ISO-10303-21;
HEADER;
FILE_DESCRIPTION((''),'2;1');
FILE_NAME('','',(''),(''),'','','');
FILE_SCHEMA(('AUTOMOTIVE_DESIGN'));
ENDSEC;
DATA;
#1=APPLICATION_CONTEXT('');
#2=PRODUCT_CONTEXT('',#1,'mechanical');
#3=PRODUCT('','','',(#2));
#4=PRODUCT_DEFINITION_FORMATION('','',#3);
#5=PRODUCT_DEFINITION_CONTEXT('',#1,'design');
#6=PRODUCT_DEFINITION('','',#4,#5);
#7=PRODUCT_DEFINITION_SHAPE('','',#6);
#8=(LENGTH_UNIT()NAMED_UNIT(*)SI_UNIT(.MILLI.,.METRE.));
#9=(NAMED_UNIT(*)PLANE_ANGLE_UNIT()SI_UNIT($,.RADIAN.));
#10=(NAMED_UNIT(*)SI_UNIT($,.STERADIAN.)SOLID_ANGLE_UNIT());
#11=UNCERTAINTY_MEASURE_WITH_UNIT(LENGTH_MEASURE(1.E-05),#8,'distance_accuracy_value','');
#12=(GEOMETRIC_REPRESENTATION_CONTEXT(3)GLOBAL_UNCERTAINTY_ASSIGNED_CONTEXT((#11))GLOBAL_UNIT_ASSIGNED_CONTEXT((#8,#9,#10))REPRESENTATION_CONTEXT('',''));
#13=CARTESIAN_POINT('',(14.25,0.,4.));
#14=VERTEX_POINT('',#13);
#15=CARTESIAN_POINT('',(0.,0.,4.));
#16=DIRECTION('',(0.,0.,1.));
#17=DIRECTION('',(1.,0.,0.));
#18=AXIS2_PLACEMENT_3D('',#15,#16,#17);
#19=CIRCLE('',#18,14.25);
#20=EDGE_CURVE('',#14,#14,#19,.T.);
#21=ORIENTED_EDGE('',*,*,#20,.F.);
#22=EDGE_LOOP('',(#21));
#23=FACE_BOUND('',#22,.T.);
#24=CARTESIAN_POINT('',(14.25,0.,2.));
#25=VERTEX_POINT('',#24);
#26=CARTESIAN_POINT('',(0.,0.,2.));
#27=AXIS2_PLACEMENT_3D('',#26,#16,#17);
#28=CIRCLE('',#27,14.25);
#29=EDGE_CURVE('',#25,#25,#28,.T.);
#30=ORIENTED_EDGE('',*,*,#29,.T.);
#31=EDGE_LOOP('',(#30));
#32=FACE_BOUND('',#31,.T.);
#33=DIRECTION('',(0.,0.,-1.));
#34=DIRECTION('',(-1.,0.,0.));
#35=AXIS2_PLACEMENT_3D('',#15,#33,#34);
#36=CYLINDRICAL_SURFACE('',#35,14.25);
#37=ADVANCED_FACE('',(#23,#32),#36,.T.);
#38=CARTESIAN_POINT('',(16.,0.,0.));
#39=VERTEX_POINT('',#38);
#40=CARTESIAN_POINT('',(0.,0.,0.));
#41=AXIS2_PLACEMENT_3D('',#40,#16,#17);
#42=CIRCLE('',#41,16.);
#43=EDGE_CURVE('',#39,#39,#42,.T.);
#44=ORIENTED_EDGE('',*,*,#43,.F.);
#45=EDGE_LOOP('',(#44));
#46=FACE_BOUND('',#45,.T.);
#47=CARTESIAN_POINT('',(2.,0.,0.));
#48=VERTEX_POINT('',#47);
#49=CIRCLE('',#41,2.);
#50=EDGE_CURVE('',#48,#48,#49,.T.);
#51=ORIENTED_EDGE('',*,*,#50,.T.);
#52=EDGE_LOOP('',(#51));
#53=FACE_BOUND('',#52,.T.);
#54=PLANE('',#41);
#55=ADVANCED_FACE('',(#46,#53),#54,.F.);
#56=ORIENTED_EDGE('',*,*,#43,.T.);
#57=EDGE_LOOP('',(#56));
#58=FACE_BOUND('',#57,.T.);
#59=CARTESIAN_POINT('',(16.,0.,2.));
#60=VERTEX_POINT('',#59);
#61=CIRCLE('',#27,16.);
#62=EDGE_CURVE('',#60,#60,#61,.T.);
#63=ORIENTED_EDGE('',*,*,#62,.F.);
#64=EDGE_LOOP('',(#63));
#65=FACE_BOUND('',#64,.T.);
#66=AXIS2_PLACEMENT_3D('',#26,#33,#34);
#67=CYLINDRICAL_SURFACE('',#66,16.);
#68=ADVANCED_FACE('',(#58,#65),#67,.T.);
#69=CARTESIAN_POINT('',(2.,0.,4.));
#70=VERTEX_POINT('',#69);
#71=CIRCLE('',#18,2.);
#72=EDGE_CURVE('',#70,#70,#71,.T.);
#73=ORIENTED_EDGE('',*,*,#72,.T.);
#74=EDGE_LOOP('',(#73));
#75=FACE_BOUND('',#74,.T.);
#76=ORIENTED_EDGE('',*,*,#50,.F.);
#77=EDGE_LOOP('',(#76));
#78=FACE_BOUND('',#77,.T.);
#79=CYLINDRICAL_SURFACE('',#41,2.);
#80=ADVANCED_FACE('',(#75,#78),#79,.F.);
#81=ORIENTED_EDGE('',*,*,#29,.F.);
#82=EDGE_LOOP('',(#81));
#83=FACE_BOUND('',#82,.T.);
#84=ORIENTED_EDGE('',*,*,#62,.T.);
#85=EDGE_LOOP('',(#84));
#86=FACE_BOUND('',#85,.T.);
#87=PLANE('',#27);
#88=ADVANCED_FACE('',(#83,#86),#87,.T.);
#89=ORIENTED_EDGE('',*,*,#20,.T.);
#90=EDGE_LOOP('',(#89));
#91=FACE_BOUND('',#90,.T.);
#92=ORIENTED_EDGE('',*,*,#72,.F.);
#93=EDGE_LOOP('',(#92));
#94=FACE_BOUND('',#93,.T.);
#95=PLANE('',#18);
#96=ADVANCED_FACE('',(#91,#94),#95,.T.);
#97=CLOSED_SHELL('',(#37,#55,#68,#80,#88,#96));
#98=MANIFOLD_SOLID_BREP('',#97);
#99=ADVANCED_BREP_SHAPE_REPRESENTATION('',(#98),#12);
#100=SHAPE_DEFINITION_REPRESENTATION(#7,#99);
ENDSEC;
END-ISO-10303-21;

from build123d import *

# Parameters (mm, degrees)
ESQUISSE1_R             = 16
BOSS_EXTRU_1_DEPTH      = 2
ESQUISSE2_R             = 14.25
BOSS_EXTRU_2_DEPTH      = 2
ESQUISSE3_R             = 2
ENL_V_MAT_EXTRU_1_DEPTH = 5


with BuildPart() as part:
    # Esquisse1 → Boss.-Extru.1 (new body)
    with BuildSketch(Plane.XY):
        Circle(ESQUISSE1_R)
    extrude(amount=BOSS_EXTRU_1_DEPTH)

    # Esquisse2 → Boss.-Extru.2 (add)
    with BuildSketch(Plane.XY.offset(2)):
        Circle(ESQUISSE2_R)
    extrude(amount=BOSS_EXTRU_2_DEPTH)

    # Esquisse3 → Enlèv. mat.-Extru.1 (cut, through all)
    with BuildSketch(Plane.XY.offset(4)):
        Circle(ESQUISSE3_R)
    extrude(amount=-ENL_V_MAT_EXTRU_1_DEPTH, mode=Mode.SUBTRACT)


solid = part.part
